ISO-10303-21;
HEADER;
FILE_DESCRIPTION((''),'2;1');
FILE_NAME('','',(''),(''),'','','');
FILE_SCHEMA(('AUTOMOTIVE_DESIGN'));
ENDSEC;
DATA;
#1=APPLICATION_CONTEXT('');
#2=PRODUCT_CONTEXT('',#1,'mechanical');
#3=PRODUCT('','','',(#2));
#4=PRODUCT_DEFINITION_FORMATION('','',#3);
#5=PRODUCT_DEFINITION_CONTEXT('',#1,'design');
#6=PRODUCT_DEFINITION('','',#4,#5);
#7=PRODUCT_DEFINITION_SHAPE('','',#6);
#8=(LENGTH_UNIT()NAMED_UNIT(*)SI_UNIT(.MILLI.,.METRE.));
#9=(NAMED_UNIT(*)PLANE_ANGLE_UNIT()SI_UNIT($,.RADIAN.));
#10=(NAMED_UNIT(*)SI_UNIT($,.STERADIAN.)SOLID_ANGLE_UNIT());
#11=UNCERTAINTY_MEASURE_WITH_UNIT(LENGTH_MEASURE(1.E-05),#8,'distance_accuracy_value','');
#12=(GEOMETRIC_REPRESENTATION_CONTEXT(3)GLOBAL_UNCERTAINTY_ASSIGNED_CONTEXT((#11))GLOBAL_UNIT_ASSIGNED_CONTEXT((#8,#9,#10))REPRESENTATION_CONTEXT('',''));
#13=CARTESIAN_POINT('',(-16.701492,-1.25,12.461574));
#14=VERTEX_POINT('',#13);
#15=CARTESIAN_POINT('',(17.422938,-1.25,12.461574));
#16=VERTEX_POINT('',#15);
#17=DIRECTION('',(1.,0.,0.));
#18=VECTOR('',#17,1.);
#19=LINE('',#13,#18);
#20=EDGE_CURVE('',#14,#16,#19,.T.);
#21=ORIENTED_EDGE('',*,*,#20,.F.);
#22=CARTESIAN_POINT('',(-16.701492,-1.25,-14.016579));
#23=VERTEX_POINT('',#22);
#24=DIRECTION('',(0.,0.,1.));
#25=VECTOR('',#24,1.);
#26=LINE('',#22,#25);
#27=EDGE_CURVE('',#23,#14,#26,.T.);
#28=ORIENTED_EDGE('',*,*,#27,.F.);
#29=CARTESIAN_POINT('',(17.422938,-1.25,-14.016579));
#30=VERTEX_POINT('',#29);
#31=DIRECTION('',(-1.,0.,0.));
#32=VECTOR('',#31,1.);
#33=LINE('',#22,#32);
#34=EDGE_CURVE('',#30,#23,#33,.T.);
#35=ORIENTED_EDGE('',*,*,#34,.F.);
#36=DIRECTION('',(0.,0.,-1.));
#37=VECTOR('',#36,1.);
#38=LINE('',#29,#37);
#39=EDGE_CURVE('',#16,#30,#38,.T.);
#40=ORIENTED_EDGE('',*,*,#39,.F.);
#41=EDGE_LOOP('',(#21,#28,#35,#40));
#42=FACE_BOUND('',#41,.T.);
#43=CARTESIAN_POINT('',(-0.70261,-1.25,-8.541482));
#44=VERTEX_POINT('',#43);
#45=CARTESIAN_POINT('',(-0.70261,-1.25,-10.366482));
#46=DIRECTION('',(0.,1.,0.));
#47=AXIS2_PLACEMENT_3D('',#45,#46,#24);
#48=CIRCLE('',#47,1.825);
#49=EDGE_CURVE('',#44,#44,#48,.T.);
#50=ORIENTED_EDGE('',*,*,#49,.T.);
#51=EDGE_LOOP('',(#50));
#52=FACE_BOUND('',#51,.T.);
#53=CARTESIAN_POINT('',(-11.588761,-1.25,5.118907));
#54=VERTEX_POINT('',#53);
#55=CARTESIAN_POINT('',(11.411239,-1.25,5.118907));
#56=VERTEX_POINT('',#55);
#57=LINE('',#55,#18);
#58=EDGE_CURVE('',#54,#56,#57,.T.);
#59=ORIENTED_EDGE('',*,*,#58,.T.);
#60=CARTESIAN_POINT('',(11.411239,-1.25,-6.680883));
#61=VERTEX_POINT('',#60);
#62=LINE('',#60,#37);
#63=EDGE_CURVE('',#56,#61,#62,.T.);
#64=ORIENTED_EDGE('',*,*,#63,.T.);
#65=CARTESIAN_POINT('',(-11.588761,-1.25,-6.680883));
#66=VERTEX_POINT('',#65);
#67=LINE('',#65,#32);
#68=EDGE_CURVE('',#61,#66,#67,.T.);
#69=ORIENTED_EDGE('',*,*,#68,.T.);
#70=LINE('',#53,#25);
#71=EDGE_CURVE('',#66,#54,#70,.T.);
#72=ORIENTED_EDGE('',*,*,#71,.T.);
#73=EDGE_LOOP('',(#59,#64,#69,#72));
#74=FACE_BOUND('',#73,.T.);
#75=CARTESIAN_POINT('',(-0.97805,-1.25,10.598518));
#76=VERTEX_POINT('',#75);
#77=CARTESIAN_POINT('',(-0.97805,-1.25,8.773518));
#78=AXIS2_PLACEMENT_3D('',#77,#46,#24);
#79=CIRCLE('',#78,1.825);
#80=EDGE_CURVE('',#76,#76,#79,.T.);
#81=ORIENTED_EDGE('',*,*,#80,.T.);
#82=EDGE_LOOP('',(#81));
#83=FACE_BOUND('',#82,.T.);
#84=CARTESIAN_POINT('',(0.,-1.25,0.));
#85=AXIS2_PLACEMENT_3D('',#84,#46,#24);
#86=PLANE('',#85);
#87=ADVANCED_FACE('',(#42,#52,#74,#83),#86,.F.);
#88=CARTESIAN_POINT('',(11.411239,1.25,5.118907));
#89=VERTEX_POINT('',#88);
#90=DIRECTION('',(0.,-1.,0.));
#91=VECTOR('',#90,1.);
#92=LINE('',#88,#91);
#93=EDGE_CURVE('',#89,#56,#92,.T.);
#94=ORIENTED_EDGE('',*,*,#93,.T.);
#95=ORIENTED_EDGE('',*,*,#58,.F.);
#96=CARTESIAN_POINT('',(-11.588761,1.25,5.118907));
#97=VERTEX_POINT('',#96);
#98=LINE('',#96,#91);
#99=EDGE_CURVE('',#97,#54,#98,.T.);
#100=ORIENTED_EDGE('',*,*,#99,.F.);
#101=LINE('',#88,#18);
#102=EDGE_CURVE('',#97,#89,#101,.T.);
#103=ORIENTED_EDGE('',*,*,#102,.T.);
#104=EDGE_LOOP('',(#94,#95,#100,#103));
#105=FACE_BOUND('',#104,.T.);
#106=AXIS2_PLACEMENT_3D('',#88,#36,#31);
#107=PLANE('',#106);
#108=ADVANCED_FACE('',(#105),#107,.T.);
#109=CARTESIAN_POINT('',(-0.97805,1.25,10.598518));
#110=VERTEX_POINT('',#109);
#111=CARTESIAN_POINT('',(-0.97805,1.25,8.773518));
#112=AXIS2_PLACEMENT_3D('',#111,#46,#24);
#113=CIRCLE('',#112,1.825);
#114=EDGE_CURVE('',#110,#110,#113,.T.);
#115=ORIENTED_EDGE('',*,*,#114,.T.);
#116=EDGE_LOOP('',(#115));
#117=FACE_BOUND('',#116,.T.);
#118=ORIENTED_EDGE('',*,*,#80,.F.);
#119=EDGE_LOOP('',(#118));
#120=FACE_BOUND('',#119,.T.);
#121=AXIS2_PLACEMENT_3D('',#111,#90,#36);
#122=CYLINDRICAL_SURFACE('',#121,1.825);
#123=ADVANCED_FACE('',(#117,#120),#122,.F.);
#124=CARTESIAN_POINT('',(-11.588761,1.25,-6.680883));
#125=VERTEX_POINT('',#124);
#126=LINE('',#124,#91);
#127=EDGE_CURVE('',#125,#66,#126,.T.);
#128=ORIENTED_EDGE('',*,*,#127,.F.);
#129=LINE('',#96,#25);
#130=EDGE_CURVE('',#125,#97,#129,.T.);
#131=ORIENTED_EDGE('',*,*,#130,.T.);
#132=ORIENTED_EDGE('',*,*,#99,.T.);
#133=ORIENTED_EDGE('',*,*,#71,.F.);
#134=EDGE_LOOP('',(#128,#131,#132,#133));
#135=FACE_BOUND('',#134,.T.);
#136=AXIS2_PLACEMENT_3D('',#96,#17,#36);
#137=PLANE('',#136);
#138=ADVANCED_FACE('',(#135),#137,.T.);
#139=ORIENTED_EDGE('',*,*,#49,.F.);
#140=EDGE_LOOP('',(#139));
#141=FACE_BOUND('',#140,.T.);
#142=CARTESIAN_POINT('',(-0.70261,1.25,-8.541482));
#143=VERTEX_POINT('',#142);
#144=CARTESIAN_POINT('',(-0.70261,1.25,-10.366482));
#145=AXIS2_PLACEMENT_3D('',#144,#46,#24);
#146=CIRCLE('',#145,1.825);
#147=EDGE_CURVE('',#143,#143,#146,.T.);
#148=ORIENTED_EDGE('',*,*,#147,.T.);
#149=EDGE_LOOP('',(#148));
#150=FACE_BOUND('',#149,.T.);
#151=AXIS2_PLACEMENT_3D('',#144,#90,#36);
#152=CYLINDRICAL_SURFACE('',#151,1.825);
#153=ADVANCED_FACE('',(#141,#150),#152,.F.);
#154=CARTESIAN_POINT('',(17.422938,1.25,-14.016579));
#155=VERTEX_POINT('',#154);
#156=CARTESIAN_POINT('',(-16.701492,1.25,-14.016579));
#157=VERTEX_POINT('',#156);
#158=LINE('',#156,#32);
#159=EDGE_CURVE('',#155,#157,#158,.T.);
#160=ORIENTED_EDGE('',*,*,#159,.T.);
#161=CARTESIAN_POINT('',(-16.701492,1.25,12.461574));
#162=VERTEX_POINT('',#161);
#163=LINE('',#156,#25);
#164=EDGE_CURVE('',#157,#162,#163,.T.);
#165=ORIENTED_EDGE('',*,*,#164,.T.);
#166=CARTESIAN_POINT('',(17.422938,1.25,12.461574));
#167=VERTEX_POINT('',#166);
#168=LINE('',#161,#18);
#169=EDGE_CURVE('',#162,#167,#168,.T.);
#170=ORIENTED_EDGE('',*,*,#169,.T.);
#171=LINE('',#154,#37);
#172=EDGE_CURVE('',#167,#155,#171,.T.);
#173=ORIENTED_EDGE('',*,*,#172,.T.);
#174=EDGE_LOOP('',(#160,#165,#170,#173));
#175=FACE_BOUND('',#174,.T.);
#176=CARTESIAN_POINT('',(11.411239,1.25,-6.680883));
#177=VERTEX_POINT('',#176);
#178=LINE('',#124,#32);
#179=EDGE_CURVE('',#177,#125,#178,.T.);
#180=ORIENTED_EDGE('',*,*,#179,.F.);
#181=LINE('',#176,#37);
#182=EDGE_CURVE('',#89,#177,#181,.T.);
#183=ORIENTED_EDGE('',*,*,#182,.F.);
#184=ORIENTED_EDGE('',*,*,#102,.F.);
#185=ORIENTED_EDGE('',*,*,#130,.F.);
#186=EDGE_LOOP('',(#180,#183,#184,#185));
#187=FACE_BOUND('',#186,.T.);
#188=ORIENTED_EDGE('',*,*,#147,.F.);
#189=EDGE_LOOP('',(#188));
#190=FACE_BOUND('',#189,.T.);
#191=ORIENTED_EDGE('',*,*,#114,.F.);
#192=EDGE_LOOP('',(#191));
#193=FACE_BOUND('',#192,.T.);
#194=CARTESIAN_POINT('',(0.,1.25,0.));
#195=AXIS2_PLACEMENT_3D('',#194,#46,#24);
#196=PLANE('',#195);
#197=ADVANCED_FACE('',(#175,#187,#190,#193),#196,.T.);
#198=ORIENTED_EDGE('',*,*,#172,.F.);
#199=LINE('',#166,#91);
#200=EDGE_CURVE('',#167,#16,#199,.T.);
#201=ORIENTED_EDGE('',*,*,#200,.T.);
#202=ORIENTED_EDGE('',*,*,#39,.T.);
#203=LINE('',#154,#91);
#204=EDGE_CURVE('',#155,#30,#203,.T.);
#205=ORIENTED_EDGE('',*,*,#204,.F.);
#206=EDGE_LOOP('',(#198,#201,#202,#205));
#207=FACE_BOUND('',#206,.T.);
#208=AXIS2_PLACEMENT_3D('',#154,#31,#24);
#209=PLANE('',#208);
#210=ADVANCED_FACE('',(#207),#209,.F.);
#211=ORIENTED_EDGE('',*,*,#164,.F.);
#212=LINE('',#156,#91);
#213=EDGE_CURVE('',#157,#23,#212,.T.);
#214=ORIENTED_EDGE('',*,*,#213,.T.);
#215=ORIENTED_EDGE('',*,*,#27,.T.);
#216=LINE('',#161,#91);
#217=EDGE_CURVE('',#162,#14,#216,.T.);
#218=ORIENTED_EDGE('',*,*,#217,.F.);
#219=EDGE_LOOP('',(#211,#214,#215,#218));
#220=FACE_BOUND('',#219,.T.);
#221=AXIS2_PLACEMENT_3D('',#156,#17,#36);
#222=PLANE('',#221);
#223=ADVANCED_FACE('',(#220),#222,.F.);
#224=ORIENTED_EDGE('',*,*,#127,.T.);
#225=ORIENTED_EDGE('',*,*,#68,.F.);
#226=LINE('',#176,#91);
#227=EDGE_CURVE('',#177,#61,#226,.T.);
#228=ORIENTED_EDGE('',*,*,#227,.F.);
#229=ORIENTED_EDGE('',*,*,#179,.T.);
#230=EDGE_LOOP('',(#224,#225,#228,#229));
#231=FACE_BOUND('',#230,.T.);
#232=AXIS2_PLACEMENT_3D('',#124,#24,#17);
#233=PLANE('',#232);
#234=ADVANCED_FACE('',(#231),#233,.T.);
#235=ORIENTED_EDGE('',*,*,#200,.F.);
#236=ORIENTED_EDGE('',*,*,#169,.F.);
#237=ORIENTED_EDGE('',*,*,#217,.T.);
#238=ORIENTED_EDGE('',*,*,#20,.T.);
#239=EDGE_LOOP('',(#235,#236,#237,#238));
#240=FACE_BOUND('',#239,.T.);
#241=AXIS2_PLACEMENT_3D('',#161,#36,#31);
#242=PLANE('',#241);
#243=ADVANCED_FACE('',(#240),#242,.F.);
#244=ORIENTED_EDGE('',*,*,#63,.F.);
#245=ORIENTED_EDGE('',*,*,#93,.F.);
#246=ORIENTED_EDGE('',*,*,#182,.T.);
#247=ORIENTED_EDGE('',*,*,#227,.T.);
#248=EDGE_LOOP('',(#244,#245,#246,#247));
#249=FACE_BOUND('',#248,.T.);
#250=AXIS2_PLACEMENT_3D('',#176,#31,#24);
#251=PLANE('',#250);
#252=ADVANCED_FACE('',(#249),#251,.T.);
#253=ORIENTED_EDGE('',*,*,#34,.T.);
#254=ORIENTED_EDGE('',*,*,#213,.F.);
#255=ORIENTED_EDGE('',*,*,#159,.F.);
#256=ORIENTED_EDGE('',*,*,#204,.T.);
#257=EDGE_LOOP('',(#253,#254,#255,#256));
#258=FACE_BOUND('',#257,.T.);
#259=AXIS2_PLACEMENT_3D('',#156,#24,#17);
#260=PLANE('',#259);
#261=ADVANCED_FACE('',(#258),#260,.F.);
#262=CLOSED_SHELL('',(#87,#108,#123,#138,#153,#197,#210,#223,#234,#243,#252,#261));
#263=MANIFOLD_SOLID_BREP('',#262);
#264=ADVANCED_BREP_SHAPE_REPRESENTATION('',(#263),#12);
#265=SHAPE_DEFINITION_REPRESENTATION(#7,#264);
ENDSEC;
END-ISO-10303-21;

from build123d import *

# Parameters (mm, degrees)
SKETCH2_W           = 34.12443
SKETCH2_H           = 26.478152769
SKETCH2_R           = 1.825
SKETCH2_W_2         = 23
SKETCH2_H_2         = 11.79979
BOSS_EXTRUDE1_DEPTH = 1.25


with BuildPart() as part:
    # Sketch2 → Boss-Extrude1 (new, symmetric)
    with BuildSketch(Plane(origin=(0, 0, 0), x_dir=(1, 0, 0), z_dir=(0, 1, 0))):
        with Locations((0.360723362, 0.777502601)):
            Rectangle(SKETCH2_W, SKETCH2_H)
        with Locations(Location((-0.702610465, 10.366481865, 0), (0, 0, 270))):
            Circle(SKETCH2_R, mode=Mode.SUBTRACT)
        with Locations(Location((-0.97805, -8.773518135, 0), (0, 0, 270))):
            Circle(SKETCH2_R, mode=Mode.SUBTRACT)
        with Locations((-0.088760873, 0.7809876)):
            Rectangle(SKETCH2_W_2, SKETCH2_H_2, mode=Mode.SUBTRACT)
    extrude(amount=BOSS_EXTRUDE1_DEPTH, both=True)


solid = part.part
